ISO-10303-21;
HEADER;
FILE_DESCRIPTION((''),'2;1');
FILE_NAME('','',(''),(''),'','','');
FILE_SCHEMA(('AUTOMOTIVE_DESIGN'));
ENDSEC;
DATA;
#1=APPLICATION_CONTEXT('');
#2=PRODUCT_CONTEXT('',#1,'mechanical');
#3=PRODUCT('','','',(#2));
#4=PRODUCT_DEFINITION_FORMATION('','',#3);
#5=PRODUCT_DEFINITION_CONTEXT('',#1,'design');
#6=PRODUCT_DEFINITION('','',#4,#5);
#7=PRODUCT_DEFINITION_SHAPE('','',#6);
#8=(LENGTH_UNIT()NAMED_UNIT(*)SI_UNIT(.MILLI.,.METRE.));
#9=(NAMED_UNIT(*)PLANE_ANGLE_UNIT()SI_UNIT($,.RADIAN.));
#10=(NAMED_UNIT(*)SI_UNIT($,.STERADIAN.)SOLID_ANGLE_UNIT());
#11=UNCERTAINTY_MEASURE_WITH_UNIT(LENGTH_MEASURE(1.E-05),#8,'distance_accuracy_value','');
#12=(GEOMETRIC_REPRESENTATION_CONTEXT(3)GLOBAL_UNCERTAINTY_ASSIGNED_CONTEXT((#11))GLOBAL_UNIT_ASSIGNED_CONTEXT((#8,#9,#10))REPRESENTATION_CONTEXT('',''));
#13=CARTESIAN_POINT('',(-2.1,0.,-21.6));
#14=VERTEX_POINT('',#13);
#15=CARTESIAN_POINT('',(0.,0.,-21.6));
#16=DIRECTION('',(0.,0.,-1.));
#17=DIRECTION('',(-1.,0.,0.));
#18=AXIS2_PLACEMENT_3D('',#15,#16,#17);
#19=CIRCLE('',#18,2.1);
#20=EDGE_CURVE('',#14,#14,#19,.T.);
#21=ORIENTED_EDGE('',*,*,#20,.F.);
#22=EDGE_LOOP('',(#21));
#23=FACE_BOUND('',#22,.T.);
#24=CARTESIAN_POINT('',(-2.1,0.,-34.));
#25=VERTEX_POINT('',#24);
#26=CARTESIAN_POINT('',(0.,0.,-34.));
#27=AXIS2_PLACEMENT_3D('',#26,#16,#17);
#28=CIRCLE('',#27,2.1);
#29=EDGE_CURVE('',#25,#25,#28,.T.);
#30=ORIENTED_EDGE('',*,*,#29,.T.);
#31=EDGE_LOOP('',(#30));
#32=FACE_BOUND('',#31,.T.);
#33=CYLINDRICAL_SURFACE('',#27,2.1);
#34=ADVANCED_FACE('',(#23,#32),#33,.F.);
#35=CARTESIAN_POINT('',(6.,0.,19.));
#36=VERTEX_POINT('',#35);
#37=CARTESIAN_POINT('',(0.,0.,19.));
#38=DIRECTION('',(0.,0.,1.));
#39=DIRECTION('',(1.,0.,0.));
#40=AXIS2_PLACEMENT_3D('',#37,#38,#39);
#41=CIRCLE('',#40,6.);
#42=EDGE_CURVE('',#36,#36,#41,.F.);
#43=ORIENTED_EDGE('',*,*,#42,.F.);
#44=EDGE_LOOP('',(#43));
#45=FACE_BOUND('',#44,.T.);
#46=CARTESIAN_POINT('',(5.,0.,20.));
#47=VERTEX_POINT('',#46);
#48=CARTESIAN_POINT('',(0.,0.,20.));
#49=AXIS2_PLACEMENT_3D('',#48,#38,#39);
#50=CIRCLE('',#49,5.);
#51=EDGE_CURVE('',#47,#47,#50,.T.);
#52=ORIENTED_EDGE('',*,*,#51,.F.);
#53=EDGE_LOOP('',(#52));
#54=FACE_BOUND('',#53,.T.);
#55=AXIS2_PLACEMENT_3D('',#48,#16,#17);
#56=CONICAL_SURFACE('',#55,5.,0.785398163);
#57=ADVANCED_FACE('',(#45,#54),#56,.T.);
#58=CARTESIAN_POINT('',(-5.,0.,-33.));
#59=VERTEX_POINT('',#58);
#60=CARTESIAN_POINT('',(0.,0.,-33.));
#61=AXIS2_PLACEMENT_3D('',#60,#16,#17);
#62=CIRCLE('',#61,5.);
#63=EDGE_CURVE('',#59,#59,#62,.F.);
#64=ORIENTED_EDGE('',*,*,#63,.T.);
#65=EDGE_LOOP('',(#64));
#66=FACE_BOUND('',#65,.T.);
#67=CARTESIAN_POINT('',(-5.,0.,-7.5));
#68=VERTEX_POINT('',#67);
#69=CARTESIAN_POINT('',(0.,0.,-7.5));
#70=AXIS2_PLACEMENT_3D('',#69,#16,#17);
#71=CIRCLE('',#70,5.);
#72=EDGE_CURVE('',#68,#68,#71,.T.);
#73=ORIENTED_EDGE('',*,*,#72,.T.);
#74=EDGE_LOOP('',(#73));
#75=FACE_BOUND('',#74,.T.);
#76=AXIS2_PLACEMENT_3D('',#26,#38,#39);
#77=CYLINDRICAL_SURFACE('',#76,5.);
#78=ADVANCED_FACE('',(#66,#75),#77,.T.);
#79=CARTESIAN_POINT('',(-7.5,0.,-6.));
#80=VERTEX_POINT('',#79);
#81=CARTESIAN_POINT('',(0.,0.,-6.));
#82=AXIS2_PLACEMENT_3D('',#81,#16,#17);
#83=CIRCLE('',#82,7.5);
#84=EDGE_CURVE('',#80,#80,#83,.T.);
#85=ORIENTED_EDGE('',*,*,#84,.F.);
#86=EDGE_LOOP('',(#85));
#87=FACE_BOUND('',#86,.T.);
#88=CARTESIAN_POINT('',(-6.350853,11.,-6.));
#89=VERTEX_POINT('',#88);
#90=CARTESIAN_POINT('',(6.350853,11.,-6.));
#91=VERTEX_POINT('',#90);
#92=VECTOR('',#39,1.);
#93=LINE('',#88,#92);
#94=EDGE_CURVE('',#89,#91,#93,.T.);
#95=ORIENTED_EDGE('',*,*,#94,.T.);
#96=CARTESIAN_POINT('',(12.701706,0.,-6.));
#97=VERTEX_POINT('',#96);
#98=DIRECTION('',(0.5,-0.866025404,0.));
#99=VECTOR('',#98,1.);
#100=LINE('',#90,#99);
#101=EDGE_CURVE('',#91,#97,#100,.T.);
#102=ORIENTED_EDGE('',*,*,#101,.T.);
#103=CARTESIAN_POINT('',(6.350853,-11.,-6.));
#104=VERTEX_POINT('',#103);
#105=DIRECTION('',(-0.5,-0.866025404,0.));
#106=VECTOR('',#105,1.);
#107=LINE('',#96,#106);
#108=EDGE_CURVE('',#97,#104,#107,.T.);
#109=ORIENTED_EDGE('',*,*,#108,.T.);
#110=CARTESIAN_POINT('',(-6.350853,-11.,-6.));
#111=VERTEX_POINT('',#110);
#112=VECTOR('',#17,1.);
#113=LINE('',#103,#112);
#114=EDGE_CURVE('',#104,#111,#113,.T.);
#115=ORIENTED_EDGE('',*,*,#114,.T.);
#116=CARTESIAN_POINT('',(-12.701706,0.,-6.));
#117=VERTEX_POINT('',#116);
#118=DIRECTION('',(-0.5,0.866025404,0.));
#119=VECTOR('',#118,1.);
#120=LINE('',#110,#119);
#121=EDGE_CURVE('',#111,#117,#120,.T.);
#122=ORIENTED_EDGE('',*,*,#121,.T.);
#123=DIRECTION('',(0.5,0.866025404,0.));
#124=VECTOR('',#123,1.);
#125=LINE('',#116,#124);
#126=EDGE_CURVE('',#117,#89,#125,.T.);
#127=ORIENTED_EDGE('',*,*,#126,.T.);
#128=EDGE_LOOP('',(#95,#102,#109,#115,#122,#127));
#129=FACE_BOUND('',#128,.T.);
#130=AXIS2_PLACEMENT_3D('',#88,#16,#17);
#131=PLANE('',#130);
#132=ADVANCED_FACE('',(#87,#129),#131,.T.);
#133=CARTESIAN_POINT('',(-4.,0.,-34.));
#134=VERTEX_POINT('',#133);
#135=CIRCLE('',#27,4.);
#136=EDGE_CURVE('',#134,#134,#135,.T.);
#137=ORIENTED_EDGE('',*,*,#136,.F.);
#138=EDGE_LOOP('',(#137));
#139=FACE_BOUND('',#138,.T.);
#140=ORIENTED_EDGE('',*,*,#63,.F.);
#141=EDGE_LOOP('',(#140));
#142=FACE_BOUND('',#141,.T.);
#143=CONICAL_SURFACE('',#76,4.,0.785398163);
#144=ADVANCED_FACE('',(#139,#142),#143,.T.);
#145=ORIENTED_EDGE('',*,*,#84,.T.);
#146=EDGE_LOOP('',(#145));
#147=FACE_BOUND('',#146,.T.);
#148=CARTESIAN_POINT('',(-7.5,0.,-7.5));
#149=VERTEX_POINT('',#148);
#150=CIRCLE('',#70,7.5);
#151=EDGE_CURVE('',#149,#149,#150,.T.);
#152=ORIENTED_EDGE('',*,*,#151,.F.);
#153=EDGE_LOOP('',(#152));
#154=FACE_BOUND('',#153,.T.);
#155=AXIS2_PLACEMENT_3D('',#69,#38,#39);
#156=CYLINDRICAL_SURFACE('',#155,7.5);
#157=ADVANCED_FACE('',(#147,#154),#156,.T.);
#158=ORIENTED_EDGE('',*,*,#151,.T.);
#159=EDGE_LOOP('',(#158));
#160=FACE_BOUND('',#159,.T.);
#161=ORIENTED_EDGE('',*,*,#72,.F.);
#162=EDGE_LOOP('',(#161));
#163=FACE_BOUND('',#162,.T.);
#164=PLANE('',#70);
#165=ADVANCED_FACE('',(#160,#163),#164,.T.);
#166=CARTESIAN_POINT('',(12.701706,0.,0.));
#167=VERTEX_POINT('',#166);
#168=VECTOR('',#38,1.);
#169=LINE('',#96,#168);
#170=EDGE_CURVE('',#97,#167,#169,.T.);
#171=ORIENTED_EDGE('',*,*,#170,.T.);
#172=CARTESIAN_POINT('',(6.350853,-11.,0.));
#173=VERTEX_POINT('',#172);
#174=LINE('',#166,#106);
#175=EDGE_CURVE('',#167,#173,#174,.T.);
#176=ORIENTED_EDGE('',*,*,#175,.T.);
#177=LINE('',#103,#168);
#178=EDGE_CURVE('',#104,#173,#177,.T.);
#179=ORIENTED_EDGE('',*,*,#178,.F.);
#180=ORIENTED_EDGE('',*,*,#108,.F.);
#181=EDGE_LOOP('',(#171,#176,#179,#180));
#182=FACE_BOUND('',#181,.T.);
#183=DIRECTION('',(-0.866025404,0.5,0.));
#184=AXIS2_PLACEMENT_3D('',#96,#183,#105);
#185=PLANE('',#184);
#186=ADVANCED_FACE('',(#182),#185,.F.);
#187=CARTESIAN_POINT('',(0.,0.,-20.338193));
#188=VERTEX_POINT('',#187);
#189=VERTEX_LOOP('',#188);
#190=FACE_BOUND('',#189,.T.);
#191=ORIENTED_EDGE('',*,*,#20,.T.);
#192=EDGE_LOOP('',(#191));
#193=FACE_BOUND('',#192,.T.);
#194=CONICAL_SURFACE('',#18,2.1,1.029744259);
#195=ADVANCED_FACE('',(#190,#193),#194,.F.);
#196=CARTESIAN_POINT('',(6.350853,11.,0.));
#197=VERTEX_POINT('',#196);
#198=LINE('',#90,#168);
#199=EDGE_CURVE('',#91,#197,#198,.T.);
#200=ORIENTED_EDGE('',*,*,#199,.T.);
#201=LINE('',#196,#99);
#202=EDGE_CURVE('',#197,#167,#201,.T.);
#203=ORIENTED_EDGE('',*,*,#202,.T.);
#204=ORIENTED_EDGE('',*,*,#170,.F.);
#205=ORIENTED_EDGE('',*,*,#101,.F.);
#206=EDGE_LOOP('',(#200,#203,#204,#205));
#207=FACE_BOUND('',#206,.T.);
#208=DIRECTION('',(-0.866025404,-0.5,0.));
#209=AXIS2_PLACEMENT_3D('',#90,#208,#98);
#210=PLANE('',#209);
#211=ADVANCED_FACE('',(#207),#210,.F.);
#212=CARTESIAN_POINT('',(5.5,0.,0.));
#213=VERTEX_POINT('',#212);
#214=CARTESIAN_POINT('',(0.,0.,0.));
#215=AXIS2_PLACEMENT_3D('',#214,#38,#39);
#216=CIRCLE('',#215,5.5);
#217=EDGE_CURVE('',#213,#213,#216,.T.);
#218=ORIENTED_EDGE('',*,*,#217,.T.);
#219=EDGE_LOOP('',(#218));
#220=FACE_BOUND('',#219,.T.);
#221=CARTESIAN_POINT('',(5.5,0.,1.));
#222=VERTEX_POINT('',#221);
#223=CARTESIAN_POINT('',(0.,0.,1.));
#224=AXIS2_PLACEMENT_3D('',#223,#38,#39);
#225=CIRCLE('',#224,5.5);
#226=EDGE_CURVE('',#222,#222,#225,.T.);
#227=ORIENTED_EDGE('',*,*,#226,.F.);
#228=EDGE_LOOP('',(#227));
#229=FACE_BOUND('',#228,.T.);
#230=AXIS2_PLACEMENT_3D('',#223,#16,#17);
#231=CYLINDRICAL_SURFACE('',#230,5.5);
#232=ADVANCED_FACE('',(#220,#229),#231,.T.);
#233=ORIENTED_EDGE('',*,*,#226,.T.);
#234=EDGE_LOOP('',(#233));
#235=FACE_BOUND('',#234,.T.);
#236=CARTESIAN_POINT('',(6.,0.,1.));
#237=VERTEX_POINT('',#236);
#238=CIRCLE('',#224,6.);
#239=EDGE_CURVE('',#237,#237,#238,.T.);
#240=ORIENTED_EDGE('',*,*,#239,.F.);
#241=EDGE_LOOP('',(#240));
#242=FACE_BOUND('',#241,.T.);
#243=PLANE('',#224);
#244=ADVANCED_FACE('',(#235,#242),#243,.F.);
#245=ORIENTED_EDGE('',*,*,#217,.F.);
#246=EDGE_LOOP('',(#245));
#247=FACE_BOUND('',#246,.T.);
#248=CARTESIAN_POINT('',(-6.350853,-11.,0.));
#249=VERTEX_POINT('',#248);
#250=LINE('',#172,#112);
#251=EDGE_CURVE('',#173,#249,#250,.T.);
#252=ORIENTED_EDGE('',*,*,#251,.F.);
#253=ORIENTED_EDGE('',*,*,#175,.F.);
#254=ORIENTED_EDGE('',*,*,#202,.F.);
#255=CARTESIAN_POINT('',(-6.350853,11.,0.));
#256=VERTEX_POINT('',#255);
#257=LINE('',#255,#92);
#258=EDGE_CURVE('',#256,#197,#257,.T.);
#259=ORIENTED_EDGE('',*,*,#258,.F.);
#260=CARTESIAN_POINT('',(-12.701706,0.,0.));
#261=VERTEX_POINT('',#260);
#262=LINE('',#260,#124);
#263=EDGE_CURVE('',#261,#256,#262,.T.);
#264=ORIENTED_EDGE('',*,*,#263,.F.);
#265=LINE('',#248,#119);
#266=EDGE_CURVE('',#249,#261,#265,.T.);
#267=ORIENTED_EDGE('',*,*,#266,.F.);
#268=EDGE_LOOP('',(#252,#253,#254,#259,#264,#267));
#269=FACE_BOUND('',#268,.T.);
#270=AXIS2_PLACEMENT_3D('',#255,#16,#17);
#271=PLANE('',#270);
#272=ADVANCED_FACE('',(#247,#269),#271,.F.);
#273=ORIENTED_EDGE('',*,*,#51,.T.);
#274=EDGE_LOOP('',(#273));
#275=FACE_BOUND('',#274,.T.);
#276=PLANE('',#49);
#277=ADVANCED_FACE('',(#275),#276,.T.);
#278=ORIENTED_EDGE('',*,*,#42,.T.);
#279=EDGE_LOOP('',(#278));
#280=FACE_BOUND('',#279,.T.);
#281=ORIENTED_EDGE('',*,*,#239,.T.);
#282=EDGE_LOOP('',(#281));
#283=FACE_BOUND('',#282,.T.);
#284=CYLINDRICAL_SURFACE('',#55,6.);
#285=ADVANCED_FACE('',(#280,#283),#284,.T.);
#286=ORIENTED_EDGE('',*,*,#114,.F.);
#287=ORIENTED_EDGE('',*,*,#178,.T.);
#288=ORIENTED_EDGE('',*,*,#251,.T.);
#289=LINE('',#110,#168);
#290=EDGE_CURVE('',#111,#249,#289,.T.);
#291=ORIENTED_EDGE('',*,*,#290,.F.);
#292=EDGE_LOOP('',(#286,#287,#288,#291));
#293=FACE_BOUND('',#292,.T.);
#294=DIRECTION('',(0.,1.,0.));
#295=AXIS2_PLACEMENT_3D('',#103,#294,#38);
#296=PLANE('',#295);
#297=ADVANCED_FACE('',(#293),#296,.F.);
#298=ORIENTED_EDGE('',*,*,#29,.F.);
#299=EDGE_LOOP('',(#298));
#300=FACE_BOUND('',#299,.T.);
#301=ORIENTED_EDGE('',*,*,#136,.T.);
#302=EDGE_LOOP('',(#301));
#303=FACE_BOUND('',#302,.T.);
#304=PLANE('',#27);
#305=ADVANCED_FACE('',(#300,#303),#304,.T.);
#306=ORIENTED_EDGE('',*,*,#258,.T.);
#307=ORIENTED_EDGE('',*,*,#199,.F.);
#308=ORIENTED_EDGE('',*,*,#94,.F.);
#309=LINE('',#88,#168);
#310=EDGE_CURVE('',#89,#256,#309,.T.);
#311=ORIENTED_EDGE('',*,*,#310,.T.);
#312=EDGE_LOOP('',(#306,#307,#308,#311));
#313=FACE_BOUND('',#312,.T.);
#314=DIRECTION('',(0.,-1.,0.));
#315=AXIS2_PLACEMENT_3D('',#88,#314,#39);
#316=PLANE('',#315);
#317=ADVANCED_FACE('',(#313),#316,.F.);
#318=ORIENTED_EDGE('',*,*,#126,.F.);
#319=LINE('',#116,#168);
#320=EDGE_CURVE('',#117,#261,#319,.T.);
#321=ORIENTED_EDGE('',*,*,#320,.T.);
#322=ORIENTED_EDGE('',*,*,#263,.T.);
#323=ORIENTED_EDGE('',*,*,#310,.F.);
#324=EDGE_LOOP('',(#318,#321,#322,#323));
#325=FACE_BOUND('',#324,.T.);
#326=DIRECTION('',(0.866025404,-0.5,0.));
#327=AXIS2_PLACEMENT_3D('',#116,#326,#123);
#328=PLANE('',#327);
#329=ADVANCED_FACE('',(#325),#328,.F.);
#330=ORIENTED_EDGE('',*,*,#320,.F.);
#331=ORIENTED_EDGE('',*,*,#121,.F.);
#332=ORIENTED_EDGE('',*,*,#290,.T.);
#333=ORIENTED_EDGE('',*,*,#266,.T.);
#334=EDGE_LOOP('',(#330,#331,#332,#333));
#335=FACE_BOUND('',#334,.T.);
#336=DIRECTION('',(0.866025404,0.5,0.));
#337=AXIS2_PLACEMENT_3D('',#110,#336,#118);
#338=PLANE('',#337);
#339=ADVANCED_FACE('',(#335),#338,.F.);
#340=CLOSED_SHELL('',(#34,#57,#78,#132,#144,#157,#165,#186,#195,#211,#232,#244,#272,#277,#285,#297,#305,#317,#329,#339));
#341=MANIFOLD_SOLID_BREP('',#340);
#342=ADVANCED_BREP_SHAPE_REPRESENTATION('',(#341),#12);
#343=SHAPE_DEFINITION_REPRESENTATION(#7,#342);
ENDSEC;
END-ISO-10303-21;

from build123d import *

# Parameters (mm, degrees)
SKETCH_1_R          = 6
EXTRUDE_1_DEPTH     = 20
EXTRUDE_2_DEPTH     = 6
SKETCH_3_R          = 7.5
EXTRUDE_3_DEPTH     = 1.5
SKETCH_4_R          = 5
EXTRUDE_4_DEPTH     = 26.5
SKETCH_6_R          = 6
SKETCH_6_R_2        = 5.5
CUT_EXTRUDE_1_DEPTH = 1
M5X0_8_1_D          = 4.2
M5X0_8_1_DEPTH      = 12.4
M5X0_8_1_TIP        = 1.2618073
CHAMFER_1_SIZE      = 1


with BuildPart() as part:
    # 草图1 → 凸台-拉伸1 (new body)
    with BuildSketch(Plane.XY):
        Circle(SKETCH_1_R)
    extrude(amount=EXTRUDE_1_DEPTH)

    # 草图2 → 凸台-拉伸2 (add)
    with BuildSketch(Plane(origin=(0, 0, 0), x_dir=(-1, 0, 0), z_dir=(0, 0, -1))):
        Polygon((6.350852961, 11), (-6.350852961, 11), (-12.701705922, 0), (-6.350852961, -11), (6.350852961, -11), (12.701705922, 0), align=None)
    extrude(amount=EXTRUDE_2_DEPTH)

    # 草图3 → 凸台-拉伸3 (add)
    with BuildSketch(Plane(origin=(0, 0, -6), x_dir=(-1, 0, 0), z_dir=(0, 0, -1))):
        Circle(SKETCH_3_R)
    extrude(amount=EXTRUDE_3_DEPTH)

    # 草图4 → 凸台-拉伸4 (add)
    with BuildSketch(Plane(origin=(0, 0, -7.5), x_dir=(-1, 0, 0), z_dir=(0, 0, -1))):
        Circle(SKETCH_4_R)
    extrude(amount=EXTRUDE_4_DEPTH)

    # 草图6 → 切除-拉伸1 (cut)
    with BuildSketch(Plane.XY):
        Circle(SKETCH_6_R)
        Circle(SKETCH_6_R_2, mode=Mode.SUBTRACT)
    extrude(amount=CUT_EXTRUDE_1_DEPTH, mode=Mode.SUBTRACT)

    # M5x0.8 螺纹孔1
    with Locations(Plane(origin=(0, 0, -34), x_dir=(-1, 0, 0), z_dir=(0, 0, -1))):
        with Locations((0, 0)):
            Hole(M5X0_8_1_D / 2, depth=M5X0_8_1_DEPTH)
            with Locations((0, 0, -(M5X0_8_1_DEPTH + M5X0_8_1_TIP / 2))):  # 118° drill point
                Cone(0, M5X0_8_1_D / 2, M5X0_8_1_TIP, mode=Mode.SUBTRACT)

    # 倒角1
    chamfer_1_edges = [part.edges().sort_by_distance(p)[0] for p in [
        (5, 0, -34),
        (-6, 0, 20),
    ]]
    chamfer(chamfer_1_edges, length=CHAMFER_1_SIZE)


solid = part.part
